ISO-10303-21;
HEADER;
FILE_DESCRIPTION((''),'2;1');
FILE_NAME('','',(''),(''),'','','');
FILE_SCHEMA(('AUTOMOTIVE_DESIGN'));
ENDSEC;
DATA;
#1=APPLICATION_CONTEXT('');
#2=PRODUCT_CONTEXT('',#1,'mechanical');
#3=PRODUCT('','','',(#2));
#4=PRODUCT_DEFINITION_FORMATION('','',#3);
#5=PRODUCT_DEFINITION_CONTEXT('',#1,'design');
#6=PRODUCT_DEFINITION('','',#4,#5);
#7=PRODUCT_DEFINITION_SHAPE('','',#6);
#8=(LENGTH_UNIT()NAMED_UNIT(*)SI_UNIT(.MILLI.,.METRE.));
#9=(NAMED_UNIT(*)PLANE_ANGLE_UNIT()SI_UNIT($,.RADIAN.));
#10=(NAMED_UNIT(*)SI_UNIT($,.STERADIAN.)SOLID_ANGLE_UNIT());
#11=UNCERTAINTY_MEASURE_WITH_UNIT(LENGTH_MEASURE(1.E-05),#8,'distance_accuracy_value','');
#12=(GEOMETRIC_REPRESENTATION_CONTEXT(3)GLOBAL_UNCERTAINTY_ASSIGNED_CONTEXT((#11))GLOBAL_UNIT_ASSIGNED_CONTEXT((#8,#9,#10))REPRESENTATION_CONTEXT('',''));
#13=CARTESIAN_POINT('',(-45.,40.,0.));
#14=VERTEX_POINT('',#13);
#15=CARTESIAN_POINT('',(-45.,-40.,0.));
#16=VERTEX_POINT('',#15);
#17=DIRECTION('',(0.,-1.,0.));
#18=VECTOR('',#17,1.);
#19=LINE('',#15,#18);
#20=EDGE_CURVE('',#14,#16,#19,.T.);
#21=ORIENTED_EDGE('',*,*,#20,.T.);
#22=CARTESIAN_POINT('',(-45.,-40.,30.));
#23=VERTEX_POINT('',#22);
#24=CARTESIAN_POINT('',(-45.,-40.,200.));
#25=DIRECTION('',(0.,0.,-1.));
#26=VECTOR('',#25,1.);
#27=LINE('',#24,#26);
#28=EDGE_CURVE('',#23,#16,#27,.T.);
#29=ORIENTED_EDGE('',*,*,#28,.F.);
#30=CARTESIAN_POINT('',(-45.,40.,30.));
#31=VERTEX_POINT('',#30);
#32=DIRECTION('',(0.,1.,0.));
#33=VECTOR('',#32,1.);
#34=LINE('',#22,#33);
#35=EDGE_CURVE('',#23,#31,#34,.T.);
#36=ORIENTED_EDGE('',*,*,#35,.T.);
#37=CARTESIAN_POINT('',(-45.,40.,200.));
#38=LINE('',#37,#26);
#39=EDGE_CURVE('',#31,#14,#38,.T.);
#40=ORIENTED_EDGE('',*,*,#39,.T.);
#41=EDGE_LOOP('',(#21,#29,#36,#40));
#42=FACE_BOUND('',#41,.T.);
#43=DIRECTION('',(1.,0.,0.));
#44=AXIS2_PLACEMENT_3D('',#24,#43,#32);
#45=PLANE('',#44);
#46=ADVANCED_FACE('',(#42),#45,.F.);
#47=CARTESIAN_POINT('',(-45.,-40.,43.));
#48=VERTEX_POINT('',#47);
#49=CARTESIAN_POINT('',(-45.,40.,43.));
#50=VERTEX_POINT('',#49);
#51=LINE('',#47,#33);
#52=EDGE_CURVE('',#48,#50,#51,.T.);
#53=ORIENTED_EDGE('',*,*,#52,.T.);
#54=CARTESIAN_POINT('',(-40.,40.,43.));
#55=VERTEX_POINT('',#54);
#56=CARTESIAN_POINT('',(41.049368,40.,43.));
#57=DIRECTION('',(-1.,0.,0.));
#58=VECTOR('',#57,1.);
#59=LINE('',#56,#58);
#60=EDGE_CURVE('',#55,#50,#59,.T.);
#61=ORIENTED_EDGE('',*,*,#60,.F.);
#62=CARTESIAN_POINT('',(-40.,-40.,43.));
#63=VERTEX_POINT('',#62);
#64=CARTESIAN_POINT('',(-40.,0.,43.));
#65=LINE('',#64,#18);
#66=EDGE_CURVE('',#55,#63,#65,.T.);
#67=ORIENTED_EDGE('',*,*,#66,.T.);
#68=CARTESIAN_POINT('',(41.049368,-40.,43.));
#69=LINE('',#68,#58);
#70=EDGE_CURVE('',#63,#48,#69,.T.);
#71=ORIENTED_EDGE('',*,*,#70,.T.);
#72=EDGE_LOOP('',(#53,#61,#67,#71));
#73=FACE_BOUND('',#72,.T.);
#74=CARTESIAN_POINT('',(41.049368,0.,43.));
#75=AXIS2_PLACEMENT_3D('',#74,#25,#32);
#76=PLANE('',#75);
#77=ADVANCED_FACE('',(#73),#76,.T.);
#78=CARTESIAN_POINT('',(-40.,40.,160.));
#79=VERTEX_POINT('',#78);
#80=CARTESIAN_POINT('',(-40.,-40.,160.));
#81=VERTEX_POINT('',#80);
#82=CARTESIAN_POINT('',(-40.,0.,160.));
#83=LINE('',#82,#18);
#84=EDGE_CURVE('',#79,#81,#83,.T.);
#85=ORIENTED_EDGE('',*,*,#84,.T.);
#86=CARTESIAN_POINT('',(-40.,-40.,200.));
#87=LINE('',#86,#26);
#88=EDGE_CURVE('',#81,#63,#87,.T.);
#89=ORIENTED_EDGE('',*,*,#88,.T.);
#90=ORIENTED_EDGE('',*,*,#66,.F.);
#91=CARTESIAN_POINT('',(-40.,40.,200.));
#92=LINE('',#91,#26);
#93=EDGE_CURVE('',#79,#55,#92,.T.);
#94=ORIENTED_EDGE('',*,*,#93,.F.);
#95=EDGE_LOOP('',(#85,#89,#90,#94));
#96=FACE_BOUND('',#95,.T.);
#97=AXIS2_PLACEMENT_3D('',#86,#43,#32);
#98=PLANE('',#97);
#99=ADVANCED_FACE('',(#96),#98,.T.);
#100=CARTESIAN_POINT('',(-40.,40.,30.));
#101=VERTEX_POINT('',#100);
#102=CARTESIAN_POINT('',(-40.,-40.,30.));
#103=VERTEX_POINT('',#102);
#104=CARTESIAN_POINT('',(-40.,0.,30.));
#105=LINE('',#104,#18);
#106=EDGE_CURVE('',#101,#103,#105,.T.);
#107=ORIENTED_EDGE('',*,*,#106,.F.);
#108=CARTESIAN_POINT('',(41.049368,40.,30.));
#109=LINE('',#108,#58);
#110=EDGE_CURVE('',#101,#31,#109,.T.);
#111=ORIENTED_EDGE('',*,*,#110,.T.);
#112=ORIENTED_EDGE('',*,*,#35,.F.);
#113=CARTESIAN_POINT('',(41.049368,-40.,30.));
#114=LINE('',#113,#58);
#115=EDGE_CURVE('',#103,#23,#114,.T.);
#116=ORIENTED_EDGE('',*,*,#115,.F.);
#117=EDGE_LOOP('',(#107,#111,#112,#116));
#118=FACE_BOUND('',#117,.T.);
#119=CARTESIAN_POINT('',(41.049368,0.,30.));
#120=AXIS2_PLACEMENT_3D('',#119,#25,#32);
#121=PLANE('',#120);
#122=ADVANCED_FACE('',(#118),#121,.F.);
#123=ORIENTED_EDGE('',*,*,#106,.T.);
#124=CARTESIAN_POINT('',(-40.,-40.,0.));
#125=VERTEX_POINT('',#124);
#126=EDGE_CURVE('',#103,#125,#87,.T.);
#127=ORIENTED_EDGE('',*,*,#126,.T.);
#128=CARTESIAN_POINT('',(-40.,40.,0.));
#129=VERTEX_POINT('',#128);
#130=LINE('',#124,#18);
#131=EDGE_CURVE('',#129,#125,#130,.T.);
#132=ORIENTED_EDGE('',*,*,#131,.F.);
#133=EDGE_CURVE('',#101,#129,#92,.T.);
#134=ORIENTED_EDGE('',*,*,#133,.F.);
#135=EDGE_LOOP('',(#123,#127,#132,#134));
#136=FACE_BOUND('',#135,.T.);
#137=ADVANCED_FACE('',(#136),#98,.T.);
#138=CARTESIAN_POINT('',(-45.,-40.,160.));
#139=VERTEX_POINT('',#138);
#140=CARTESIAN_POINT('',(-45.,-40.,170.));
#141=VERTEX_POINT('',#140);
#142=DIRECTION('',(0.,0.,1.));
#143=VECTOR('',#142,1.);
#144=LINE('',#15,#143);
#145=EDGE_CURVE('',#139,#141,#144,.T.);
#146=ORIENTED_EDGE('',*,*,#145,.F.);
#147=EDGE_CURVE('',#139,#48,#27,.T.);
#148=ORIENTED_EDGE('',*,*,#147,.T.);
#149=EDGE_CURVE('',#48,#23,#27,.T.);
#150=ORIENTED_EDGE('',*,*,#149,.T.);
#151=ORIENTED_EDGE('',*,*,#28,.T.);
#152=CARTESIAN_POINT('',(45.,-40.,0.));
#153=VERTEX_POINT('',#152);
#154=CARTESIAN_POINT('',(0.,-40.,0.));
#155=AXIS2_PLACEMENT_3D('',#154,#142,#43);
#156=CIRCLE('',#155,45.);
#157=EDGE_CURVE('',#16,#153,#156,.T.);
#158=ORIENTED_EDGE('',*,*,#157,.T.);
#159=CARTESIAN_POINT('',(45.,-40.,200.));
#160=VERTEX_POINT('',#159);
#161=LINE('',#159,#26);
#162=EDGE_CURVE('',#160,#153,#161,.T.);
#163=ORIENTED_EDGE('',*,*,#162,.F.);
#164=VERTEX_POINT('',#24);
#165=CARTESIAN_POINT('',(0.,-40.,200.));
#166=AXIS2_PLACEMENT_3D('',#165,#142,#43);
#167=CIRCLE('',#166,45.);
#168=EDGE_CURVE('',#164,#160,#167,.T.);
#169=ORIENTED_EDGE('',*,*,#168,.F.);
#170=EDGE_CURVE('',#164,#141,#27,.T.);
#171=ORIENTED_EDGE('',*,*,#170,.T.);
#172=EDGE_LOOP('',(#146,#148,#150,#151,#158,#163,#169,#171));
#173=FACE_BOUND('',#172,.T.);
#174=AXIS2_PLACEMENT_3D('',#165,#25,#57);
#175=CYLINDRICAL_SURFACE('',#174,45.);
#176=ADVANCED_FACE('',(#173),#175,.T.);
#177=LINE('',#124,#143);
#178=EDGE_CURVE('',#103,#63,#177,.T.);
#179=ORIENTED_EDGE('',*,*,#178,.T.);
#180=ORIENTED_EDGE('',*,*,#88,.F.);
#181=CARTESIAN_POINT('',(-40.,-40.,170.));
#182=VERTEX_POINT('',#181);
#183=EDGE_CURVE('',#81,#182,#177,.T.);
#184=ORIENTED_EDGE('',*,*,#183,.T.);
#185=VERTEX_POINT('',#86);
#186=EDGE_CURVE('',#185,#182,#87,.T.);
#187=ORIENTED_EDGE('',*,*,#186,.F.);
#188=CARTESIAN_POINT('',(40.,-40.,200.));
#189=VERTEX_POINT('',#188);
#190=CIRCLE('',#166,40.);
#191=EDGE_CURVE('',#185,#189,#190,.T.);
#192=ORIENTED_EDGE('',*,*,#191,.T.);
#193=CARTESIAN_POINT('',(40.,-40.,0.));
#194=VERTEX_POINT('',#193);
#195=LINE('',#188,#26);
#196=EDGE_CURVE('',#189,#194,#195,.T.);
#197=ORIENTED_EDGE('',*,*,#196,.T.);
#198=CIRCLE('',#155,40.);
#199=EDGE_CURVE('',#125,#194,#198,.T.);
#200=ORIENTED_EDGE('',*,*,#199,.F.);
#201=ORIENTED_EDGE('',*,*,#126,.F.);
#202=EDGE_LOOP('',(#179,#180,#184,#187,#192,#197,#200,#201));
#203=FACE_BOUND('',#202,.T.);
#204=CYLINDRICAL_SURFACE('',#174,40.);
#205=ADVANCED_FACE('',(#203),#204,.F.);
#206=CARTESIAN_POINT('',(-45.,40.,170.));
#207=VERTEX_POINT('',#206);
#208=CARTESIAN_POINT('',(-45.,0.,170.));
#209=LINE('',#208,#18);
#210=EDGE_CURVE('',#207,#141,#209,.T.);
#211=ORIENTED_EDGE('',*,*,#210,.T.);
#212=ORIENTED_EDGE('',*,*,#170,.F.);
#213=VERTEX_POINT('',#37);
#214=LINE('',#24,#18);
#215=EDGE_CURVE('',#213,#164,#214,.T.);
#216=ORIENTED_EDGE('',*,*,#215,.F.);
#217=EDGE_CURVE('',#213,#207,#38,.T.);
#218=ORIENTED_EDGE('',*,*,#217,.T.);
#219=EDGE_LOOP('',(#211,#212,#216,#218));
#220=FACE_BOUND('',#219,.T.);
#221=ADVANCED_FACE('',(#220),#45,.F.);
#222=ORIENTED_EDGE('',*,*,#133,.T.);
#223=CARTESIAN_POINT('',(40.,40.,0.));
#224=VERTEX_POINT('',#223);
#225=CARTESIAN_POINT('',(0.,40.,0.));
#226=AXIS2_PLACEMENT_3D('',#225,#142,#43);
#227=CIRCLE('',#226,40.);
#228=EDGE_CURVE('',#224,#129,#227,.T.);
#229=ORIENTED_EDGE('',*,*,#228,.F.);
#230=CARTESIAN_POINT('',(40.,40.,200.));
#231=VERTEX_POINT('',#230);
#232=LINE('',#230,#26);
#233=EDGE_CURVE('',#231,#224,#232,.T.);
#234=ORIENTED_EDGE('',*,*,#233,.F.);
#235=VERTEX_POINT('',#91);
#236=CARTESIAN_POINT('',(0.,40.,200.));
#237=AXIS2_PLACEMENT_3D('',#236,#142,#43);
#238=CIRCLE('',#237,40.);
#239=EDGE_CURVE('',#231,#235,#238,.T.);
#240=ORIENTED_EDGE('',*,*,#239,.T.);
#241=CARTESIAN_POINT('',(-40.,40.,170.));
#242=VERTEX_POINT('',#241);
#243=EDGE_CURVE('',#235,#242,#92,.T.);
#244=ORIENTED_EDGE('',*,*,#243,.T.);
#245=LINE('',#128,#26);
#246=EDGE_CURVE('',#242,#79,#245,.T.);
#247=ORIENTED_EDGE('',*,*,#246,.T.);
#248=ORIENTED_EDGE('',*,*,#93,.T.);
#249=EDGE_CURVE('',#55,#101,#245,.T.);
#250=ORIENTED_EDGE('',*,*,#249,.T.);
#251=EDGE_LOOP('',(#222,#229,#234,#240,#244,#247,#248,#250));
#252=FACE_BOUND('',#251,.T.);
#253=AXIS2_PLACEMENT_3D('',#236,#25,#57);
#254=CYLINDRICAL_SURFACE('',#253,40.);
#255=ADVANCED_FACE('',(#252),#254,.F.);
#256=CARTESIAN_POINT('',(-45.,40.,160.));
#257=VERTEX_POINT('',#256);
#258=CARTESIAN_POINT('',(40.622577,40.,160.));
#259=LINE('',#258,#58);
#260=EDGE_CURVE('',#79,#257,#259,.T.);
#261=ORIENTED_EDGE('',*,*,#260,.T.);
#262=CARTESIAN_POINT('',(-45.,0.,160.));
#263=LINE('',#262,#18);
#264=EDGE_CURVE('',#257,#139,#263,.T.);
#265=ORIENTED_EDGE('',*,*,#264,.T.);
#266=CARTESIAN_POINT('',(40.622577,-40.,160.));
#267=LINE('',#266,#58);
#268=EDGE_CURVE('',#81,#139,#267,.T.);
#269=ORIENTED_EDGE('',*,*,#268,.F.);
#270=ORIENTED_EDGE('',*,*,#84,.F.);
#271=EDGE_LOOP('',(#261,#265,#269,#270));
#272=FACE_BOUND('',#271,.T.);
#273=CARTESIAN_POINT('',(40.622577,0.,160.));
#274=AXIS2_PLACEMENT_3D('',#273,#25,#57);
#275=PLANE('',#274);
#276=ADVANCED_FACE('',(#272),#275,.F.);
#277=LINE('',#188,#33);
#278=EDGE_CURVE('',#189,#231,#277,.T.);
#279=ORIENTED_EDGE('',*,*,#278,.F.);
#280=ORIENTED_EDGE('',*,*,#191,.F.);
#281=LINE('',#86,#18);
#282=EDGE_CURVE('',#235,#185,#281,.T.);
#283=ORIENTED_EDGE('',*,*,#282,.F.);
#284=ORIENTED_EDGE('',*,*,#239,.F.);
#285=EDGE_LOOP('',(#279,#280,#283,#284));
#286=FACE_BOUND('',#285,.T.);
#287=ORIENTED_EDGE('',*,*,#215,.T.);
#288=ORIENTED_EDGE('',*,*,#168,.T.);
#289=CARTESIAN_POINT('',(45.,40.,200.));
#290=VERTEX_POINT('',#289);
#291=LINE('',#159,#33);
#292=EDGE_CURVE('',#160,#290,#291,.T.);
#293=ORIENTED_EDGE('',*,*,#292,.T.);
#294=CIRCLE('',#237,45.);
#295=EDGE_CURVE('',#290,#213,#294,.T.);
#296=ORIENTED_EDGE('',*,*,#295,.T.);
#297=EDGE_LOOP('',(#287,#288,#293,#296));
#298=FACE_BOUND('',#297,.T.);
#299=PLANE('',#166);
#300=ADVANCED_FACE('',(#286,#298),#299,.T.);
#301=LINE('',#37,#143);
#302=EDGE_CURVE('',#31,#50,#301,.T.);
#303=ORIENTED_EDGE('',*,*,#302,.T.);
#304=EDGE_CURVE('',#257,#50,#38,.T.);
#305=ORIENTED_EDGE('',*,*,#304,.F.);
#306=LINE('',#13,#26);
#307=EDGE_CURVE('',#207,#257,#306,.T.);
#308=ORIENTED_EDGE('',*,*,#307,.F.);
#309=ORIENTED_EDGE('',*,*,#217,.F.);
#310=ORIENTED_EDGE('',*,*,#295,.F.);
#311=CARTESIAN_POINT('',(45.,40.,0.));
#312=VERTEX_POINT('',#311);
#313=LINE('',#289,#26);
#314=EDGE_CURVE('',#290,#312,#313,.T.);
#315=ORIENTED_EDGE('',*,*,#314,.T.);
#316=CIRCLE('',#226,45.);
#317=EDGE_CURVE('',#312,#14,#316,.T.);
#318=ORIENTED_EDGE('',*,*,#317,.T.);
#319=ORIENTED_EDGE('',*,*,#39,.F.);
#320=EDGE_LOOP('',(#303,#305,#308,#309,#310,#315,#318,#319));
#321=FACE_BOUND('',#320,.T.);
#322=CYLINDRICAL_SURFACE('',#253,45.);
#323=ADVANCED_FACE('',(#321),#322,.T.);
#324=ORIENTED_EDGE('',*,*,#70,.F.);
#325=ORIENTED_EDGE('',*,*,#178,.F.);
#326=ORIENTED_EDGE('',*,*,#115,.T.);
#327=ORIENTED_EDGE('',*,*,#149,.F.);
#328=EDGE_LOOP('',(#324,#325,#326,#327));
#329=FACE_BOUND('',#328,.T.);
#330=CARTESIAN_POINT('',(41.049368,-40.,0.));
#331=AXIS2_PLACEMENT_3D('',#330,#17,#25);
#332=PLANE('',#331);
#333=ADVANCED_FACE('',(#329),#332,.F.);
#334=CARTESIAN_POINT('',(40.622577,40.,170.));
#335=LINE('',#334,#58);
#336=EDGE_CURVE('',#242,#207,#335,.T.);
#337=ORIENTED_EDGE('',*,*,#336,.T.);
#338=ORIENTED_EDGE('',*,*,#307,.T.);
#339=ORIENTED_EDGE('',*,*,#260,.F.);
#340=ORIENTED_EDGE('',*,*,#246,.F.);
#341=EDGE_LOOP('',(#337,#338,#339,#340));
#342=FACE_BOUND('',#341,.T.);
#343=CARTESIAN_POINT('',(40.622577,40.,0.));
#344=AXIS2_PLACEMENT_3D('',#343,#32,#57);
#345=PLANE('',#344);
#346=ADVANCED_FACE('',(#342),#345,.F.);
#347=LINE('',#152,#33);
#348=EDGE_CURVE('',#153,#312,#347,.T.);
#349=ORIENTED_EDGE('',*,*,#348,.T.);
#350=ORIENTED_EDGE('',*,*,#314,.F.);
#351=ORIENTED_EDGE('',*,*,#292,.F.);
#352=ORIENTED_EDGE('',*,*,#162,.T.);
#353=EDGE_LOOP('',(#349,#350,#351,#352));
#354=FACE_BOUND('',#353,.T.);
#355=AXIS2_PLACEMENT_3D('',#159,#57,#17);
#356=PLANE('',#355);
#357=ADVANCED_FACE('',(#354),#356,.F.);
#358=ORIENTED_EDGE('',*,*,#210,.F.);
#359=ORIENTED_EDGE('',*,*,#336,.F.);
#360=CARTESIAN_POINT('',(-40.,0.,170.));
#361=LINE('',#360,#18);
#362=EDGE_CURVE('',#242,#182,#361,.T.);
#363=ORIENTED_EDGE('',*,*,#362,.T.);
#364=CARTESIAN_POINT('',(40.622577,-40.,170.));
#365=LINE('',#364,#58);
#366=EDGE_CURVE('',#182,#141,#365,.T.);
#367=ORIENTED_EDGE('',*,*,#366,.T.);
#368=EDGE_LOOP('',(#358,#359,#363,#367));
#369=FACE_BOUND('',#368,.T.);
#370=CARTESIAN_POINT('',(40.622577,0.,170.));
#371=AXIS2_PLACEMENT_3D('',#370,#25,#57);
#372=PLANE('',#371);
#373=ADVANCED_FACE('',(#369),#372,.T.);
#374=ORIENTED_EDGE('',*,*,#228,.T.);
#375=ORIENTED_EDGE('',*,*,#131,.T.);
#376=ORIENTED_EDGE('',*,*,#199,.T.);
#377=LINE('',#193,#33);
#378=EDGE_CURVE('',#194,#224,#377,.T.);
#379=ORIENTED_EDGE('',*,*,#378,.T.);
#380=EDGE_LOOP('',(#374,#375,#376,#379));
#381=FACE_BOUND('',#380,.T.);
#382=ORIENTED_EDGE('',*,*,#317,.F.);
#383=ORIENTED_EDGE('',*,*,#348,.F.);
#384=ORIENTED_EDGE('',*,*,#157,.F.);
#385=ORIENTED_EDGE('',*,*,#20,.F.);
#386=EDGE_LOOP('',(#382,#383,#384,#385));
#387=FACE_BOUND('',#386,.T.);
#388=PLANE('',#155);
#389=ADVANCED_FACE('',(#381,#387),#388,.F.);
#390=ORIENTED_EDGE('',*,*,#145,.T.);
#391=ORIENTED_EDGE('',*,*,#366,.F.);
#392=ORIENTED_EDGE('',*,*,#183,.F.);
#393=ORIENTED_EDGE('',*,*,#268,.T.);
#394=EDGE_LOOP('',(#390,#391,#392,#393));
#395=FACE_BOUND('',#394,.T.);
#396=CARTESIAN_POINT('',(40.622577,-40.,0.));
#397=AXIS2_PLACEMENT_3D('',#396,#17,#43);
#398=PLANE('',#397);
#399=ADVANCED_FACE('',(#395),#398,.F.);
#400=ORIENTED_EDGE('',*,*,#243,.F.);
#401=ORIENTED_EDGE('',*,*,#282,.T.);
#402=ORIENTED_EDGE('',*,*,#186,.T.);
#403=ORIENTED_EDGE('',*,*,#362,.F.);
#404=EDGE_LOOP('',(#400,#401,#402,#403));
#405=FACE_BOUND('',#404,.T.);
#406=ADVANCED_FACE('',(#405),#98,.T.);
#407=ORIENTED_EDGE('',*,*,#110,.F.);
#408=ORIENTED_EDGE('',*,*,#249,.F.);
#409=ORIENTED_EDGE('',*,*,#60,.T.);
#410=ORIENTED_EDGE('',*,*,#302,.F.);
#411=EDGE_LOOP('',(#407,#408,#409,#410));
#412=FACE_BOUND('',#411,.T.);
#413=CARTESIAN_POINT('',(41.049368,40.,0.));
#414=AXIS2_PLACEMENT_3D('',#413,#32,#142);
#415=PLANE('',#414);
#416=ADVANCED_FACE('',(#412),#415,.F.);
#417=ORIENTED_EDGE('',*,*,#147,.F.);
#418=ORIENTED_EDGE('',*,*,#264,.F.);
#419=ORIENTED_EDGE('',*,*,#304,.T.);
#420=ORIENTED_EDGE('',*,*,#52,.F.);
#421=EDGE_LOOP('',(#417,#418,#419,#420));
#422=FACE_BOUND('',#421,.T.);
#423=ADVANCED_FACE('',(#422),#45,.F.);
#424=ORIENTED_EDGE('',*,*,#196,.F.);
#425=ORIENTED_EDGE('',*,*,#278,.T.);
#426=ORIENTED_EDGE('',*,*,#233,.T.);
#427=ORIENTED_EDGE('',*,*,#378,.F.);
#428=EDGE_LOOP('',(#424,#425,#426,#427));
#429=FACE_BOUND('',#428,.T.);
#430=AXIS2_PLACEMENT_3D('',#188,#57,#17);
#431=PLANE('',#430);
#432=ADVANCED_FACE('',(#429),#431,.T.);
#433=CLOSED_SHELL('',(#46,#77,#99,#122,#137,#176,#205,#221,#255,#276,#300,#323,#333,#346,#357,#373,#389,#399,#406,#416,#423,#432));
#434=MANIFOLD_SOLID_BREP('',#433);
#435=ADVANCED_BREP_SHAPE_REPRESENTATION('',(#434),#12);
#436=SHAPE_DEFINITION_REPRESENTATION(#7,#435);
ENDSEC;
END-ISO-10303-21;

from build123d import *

# Parameters (mm, degrees)
EXTRUDE_355_DEPTH                 = 200
CUT_EXTRUDE_718_REACH             = 237.213
SKETCH_2_W                        = 13
SKETCH_2_H                        = 80
CUT_EXTRUDE_718_DIRECTION_2_DEPTH = 236.212669727
SKETCH_3_W                        = 10
SKETCH_3_H                        = 80
CUT_EXTRUDE_1071_DEPTH            = 5


with BuildPart() as part:
    # Эскиз1 → Extrude 355 (new body)
    with BuildSketch(Plane.XY):
        with BuildLine():
            Line((-45, -40), (-45, 40))
            ThreePointArc((-45, 40), (0, 85), (45, 40))
            Line((45, 40), (45, -40))
            ThreePointArc((45, -40), (0, -85), (-45, -40))
        make_face()
        with BuildLine():
            Line((-40, -40), (-40, 40))
            ThreePointArc((-40, 40), (0, 80), (40, 40))
            Line((40, 40), (40, -40))
            ThreePointArc((40, -40), (0, -80), (-40, -40))
        make_face(mode=Mode.SUBTRACT)
    extrude(amount=EXTRUDE_355_DEPTH)

    # Cut-Extrude 718: up to this face of the body (flat: up to its plane)
    cut_extrude_718_end = Plane(part.part.faces().sort_by_distance((-40, 0, 100))[0])
    # Эскиз2 → Cut-Extrude 718 (cut, up to the picked face)
    with BuildSketch(Plane.ZY.offset(45), mode=Mode.PRIVATE) as cut_extrude_718_sk1:
        with Locations((36.5, 0)):
            Rectangle(SKETCH_2_W, SKETCH_2_H)
    cut_extrude_718_tool1 = split(extrude(cut_extrude_718_sk1.sketch, amount=-CUT_EXTRUDE_718_REACH, mode=Mode.PRIVATE), bisect_by=cut_extrude_718_end, keep=Keep.BOTH, mode=Mode.PRIVATE)
    add(cut_extrude_718_tool1.solids().sort_by(Axis((-45, 0, 36.5), (1, 0, 0)))[0], mode=Mode.SUBTRACT)

    # Эскиз2 → Cut-Extrude 718 direction 2 (cut)
    with BuildSketch(Plane.ZY.offset(45)):
        with Locations((36.5, 0)):
            Rectangle(SKETCH_2_W, SKETCH_2_H)
    extrude(amount=CUT_EXTRUDE_718_DIRECTION_2_DEPTH, mode=Mode.SUBTRACT)

    # Эскиз3 → Cut-Extrude 1071 (cut)
    with BuildSketch(Plane.ZY.offset(45)):
        with Locations((165, 0)):
            Rectangle(SKETCH_3_W, SKETCH_3_H)
    extrude(amount=-CUT_EXTRUDE_1071_DEPTH, mode=Mode.SUBTRACT)


solid = part.part
